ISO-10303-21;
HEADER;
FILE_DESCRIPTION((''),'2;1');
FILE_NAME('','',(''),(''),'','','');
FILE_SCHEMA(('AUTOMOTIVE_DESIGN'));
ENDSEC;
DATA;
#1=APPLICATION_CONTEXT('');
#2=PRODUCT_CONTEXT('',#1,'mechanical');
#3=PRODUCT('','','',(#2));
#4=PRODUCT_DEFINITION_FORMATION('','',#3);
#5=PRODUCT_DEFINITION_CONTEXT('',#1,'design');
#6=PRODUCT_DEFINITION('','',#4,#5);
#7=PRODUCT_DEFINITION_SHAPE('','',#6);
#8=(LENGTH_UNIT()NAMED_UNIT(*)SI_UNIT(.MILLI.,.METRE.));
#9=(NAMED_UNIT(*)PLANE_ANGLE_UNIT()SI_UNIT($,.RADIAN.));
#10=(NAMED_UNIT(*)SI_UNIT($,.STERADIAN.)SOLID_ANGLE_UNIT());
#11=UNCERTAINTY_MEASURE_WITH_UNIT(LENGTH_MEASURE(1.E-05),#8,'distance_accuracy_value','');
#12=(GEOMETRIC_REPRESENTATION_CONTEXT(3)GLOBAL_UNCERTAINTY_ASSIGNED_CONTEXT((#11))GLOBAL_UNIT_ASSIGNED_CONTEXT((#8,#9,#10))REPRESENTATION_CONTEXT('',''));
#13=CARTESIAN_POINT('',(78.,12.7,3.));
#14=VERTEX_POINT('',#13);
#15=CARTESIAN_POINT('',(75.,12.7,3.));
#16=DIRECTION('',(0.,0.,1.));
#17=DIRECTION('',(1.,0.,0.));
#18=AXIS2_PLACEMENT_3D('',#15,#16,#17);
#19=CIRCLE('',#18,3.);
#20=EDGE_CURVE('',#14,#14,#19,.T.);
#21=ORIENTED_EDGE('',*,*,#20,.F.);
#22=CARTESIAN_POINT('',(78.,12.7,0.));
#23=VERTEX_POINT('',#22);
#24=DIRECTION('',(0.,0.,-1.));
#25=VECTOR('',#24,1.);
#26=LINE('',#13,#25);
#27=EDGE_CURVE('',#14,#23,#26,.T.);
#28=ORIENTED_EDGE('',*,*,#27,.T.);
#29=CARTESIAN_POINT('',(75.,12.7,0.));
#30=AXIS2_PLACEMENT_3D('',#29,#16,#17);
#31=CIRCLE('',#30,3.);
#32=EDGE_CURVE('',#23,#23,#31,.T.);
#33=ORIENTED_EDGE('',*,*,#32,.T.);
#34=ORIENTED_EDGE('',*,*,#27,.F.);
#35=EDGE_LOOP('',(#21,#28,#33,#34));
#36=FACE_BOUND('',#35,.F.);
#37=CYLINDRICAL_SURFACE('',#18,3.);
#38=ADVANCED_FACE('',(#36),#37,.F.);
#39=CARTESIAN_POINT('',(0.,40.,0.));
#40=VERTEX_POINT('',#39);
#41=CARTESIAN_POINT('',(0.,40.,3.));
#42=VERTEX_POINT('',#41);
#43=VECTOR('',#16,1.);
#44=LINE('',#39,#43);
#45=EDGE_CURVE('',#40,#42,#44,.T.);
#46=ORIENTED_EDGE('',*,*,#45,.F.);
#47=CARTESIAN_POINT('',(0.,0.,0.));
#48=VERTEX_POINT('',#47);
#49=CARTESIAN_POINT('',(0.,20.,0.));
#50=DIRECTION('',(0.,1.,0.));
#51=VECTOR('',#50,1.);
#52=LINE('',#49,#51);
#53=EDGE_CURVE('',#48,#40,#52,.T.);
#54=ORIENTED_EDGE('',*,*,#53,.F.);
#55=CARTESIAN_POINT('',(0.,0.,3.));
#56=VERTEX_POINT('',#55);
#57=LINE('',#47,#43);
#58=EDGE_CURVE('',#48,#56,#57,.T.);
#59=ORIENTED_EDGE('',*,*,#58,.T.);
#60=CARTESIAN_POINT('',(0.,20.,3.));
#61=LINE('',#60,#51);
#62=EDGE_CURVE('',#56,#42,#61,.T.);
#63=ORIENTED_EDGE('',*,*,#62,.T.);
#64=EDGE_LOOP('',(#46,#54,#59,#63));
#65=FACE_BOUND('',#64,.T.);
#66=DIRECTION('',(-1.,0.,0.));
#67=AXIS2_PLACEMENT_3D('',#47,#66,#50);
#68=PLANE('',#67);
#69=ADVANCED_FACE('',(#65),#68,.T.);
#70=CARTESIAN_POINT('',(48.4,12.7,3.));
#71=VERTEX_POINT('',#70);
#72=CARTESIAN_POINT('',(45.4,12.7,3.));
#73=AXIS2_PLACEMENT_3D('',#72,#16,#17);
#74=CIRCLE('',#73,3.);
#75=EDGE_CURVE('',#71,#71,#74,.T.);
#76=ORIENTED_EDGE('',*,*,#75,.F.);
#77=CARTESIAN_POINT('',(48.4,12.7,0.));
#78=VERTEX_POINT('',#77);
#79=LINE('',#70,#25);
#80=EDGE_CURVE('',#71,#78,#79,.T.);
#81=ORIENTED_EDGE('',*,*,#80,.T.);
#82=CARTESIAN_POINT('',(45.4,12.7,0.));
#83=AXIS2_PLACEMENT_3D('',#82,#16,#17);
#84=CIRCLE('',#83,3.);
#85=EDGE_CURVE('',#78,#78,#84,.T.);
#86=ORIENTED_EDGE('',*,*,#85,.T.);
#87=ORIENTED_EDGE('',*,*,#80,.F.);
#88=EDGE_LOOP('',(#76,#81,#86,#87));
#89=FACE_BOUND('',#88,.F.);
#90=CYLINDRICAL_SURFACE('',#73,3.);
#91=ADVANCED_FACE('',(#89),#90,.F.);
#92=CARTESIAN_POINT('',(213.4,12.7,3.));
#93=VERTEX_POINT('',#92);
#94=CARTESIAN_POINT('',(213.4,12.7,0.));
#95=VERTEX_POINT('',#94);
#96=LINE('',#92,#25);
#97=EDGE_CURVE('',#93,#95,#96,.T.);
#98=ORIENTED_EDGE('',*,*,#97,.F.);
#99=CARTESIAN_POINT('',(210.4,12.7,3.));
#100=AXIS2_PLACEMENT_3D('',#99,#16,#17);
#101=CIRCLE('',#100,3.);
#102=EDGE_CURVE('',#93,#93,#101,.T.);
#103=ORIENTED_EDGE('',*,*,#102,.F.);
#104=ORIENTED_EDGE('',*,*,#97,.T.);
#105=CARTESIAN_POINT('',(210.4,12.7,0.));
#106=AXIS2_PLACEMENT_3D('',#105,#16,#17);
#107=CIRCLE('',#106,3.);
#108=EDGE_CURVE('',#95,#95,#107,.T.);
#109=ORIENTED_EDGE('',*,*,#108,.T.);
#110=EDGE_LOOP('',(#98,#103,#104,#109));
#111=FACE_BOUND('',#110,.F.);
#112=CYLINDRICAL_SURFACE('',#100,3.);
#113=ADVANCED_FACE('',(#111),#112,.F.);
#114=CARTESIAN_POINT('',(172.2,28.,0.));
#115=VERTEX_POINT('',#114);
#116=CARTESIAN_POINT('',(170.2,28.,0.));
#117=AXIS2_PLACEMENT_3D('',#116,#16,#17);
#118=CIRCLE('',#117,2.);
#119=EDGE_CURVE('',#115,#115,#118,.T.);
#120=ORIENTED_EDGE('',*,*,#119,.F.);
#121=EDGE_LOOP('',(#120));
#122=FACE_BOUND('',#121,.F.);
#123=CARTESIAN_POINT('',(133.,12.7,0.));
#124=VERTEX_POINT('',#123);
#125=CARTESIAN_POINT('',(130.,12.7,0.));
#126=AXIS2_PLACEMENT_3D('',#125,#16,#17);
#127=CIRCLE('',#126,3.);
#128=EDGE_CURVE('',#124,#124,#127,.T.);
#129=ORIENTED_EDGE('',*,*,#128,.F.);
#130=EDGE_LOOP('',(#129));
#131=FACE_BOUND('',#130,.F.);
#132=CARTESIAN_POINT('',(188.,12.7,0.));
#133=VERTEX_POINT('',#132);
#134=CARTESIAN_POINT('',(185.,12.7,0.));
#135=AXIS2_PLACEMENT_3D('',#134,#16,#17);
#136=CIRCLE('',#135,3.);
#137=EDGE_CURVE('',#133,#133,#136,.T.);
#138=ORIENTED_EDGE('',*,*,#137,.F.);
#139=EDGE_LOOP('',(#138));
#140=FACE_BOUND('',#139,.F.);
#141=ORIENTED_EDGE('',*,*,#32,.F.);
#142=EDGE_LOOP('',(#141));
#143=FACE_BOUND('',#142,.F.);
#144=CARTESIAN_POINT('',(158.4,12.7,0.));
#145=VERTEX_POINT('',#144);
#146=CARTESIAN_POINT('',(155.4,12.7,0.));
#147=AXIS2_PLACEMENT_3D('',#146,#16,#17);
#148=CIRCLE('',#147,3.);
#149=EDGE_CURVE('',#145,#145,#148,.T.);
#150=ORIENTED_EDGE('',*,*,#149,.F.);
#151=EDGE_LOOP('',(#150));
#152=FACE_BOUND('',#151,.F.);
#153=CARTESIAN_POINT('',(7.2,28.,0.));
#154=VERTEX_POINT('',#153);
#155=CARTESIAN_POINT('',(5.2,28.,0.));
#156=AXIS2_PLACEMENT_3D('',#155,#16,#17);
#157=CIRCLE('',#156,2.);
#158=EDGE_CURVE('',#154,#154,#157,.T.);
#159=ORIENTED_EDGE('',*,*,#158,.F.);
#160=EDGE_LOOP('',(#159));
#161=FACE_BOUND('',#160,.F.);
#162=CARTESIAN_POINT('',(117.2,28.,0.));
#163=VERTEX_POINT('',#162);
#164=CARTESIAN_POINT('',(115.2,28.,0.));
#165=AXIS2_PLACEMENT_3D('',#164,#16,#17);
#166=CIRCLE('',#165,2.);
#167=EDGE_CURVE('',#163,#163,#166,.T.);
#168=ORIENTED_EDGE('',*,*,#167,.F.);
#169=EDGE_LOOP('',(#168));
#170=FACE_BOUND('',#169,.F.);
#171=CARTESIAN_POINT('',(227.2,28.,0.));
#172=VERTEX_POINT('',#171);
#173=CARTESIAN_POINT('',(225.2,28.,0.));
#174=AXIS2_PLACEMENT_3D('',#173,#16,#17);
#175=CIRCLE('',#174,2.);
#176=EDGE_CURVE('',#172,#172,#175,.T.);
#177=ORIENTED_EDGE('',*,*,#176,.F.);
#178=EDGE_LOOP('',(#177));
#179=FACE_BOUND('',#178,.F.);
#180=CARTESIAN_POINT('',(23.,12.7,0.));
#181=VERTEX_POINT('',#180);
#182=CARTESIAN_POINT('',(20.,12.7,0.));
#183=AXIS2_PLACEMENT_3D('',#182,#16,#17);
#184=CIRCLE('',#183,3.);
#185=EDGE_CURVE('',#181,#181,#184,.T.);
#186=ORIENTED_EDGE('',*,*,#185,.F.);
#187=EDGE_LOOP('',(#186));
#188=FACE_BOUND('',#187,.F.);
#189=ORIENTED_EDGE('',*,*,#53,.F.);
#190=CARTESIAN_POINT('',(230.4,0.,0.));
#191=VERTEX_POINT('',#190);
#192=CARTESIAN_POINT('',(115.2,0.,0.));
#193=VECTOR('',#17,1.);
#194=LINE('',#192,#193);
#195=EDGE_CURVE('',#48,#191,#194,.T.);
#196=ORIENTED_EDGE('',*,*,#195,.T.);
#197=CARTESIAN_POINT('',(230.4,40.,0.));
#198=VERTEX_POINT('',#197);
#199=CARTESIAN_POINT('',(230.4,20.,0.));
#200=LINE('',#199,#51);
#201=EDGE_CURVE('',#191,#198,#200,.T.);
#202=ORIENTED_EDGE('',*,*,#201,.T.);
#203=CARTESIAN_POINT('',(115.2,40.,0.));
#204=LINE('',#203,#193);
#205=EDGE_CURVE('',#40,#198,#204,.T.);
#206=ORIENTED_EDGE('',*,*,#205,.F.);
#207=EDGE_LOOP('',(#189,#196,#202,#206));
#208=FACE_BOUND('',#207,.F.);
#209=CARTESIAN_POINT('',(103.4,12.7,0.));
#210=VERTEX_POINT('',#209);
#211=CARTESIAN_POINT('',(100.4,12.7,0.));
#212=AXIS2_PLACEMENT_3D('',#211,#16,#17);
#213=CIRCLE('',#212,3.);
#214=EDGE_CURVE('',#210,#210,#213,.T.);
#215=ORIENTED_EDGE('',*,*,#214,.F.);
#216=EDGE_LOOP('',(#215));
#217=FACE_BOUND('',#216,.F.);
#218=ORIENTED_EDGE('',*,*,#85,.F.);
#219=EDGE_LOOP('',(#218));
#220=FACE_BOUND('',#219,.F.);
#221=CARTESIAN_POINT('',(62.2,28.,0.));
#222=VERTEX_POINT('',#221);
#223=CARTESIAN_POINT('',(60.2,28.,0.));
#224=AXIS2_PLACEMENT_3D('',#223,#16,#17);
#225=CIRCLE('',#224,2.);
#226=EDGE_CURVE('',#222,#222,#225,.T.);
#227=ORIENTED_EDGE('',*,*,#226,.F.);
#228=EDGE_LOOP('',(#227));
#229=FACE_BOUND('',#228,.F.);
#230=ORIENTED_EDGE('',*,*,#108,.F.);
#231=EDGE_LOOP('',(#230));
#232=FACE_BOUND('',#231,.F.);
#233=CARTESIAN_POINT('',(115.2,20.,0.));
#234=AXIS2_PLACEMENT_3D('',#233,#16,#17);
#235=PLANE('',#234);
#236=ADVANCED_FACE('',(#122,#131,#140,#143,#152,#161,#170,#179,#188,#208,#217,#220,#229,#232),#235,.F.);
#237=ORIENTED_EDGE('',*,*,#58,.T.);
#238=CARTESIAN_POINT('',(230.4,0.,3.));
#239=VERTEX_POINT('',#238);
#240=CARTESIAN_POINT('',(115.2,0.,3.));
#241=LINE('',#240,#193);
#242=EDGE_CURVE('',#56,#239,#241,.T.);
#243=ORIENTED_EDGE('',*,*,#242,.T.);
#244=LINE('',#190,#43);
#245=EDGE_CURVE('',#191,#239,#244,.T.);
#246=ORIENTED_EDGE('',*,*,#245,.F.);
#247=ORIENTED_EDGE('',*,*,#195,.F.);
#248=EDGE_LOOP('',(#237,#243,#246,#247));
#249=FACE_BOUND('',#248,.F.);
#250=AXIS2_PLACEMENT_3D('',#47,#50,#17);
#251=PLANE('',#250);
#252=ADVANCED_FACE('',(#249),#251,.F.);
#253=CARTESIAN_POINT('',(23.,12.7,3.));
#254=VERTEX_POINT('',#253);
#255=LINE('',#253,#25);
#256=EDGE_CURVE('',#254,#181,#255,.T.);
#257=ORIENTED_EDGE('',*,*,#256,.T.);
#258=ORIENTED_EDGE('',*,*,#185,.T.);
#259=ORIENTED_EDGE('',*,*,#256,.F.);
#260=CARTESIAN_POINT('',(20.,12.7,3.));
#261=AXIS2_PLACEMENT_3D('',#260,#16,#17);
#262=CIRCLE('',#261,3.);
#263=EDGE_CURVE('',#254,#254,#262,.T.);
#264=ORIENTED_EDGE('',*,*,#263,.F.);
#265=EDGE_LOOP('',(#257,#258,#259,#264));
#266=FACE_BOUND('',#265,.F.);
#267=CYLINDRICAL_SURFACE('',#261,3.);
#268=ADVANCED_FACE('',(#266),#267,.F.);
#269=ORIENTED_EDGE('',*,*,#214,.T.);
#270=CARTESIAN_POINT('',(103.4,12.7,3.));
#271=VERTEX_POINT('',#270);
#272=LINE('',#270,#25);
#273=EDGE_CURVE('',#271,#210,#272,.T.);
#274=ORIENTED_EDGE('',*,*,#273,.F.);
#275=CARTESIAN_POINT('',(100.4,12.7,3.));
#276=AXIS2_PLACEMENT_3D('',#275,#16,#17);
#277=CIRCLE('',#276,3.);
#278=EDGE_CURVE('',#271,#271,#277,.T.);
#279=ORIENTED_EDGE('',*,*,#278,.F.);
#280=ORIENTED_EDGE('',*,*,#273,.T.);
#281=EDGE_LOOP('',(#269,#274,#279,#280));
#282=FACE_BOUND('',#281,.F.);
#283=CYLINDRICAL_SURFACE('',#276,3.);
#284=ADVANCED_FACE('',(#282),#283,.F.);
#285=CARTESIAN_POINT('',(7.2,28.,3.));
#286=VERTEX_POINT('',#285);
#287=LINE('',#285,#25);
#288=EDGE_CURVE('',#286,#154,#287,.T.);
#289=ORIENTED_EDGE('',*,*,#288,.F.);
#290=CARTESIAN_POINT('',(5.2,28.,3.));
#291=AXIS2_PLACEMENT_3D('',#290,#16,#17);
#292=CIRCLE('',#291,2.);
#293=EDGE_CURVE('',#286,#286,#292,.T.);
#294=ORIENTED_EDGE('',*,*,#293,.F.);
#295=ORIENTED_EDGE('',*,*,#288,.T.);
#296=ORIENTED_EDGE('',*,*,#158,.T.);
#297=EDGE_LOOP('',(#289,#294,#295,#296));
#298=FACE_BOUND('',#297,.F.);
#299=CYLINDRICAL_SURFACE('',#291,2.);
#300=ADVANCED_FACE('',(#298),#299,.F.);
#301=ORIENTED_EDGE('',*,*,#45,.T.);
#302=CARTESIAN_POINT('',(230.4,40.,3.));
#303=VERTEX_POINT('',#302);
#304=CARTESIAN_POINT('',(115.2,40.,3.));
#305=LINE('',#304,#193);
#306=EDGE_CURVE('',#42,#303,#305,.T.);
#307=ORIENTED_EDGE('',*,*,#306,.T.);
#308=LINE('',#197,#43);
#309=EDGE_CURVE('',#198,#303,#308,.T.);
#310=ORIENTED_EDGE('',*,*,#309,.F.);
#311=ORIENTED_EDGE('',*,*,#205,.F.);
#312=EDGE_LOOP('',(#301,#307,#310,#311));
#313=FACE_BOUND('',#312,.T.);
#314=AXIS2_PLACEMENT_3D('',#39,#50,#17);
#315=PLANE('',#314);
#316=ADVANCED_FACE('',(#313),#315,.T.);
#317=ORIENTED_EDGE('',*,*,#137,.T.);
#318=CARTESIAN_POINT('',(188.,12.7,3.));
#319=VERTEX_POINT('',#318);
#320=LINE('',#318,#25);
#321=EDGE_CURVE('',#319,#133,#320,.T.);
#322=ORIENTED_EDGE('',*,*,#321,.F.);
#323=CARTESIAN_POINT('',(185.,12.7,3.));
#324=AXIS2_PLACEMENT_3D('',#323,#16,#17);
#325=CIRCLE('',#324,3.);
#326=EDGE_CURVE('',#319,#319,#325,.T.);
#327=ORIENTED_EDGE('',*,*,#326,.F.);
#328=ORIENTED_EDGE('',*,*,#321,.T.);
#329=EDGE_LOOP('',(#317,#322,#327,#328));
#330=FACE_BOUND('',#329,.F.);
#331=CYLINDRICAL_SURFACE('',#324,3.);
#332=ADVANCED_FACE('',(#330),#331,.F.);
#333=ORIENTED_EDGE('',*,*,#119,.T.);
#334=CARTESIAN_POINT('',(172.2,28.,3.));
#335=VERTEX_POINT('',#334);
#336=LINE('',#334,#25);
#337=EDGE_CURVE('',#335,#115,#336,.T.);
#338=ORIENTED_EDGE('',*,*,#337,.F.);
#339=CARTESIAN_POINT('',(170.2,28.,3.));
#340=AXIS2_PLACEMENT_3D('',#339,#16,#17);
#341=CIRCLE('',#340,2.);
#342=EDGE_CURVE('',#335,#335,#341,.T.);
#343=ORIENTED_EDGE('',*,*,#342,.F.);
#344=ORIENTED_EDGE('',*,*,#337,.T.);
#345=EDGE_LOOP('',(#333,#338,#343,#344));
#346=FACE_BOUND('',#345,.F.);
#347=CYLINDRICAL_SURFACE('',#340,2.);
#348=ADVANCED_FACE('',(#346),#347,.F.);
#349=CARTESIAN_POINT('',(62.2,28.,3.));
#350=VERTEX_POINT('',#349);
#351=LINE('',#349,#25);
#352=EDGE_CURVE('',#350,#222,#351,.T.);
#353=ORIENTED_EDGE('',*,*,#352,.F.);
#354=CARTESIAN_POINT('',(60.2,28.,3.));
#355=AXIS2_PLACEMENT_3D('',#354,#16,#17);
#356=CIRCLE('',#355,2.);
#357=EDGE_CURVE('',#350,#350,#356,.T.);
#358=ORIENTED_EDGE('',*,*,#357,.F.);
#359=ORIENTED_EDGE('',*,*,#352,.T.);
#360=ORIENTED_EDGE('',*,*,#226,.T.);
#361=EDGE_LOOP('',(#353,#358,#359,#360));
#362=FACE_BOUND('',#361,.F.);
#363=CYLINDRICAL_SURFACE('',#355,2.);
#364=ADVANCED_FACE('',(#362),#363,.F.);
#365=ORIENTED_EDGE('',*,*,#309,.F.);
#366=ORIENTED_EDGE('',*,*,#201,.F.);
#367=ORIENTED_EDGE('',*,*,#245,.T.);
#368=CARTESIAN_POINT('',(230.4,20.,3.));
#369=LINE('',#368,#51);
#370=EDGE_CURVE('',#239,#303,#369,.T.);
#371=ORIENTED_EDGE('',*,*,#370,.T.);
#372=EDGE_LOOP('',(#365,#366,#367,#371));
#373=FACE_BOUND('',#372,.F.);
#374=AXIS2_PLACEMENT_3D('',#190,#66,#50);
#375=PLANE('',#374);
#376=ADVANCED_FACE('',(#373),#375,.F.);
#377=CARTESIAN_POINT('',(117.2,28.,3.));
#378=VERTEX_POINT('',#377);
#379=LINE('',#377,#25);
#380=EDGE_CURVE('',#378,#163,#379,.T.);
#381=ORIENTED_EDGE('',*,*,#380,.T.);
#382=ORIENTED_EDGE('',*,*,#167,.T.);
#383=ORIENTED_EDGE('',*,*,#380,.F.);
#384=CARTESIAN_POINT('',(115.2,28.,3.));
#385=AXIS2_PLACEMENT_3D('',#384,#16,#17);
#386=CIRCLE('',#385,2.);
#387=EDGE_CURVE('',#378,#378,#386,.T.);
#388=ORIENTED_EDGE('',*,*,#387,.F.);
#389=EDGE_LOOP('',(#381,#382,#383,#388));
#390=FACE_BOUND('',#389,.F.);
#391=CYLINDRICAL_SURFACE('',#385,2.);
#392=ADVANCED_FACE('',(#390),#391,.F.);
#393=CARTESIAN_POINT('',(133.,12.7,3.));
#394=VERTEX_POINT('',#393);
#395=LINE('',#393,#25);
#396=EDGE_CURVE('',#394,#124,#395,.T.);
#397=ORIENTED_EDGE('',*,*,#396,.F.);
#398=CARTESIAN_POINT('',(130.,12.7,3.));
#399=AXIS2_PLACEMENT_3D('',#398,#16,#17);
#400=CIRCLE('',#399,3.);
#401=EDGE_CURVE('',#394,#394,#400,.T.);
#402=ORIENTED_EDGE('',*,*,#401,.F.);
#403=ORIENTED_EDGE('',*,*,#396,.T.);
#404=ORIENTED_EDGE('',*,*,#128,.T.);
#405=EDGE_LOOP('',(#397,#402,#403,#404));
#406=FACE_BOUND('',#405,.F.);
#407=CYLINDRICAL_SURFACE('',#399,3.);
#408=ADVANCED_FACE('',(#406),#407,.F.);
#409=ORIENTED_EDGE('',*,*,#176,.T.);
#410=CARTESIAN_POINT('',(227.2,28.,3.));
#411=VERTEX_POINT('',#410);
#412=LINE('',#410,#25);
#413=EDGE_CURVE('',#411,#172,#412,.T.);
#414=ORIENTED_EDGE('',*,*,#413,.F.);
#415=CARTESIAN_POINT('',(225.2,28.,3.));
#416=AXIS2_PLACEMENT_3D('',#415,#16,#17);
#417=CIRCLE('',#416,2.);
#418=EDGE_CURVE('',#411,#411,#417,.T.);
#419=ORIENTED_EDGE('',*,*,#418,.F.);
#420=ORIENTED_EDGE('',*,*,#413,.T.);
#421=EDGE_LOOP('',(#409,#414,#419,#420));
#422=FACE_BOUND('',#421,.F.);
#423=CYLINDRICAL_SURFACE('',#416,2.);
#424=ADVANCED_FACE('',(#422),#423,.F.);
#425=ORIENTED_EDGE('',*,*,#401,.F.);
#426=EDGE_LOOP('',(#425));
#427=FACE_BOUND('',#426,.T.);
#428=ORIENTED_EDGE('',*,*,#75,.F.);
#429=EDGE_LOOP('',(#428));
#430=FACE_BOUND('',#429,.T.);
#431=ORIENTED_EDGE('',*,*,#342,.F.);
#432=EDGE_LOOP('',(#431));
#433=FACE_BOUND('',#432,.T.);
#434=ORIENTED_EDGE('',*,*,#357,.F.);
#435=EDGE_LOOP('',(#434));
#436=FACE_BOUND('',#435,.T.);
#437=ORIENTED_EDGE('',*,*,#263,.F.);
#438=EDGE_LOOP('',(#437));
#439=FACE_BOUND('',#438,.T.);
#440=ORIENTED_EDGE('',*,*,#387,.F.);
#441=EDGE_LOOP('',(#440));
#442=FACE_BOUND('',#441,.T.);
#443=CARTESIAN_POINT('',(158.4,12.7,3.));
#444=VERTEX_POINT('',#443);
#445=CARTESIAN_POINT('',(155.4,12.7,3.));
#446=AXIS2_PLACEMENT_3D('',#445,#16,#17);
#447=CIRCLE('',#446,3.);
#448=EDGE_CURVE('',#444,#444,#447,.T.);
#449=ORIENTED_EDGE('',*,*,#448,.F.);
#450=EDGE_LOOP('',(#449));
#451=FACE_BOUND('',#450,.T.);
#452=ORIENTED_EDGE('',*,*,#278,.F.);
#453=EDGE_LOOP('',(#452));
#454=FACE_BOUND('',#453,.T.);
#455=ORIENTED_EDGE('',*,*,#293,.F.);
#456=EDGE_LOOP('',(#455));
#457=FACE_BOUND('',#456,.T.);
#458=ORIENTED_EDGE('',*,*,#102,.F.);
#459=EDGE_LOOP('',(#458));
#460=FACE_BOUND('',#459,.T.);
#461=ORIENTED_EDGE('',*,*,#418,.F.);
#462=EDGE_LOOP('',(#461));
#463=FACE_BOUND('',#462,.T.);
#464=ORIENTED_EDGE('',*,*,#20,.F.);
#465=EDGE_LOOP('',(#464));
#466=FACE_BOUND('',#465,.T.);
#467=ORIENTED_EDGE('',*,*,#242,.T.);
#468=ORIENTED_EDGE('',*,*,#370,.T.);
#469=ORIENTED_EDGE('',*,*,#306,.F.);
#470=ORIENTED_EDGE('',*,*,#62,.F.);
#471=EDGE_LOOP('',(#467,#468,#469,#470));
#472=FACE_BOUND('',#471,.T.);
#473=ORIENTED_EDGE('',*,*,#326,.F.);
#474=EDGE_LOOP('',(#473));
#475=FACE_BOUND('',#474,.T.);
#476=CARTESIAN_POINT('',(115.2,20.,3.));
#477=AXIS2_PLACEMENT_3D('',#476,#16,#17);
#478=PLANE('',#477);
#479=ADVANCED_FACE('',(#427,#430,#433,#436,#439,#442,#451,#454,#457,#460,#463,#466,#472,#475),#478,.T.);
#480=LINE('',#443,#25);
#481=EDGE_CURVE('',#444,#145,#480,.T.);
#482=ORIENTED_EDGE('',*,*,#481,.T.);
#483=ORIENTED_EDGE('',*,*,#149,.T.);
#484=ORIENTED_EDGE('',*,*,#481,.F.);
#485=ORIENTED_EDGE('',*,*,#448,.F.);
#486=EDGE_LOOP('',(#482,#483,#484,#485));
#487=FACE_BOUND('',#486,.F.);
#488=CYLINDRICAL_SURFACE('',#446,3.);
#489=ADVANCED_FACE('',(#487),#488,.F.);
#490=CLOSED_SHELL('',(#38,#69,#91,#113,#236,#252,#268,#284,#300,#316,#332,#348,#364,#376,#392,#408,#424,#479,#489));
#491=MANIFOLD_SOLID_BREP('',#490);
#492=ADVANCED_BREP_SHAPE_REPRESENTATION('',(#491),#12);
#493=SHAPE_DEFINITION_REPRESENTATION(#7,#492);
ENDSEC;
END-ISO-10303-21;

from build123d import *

# Parameters (mm, degrees)
F0_W     = 230.4
F0_H     = 40
F1_DEPTH = 3
F2_R     = 2
F3_DEPTH = 3.001
F4_R     = 3
F5_DEPTH = 3.001


with BuildPart() as f1:
    # F0 (on Top) → F1 (new body)
    with BuildSketch(Plane.XY):
        with Locations((115.2, 20)):
            Rectangle(F0_W, F0_H)
    extrude(amount=F1_DEPTH)

    # F2 (on face) → F3 (cut, through all)
    with BuildSketch(Plane.XY.offset(3)):
        with Locations((5.2, 28)):
            Circle(F2_R)
        with Locations((60.2, 28)):
            Circle(F2_R)
        with Locations((115.2, 28)):
            Circle(F2_R)
        with Locations((170.2, 28)):
            Circle(F2_R)
        with Locations((225.2, 28)):
            Circle(F2_R)
    extrude(amount=-F3_DEPTH, mode=Mode.SUBTRACT)

    # F4 (on face) → F5 (cut, through all)
    with BuildSketch(Plane.XY.offset(3)):
        with Locations((20, 12.7)):
            Circle(F4_R)
        with Locations((45.4, 12.7)):
            Circle(F4_R)
        with Locations((75, 12.7)):
            Circle(F4_R)
        with Locations((100.4, 12.7)):
            Circle(F4_R)
        with Locations((130, 12.7)):
            Circle(F4_R)
        with Locations((155.4, 12.7)):
            Circle(F4_R)
        with Locations((185, 12.7)):
            Circle(F4_R)
        with Locations((210.4, 12.7)):
            Circle(F4_R)
    extrude(amount=-F5_DEPTH, mode=Mode.SUBTRACT)


solid = f1.part
